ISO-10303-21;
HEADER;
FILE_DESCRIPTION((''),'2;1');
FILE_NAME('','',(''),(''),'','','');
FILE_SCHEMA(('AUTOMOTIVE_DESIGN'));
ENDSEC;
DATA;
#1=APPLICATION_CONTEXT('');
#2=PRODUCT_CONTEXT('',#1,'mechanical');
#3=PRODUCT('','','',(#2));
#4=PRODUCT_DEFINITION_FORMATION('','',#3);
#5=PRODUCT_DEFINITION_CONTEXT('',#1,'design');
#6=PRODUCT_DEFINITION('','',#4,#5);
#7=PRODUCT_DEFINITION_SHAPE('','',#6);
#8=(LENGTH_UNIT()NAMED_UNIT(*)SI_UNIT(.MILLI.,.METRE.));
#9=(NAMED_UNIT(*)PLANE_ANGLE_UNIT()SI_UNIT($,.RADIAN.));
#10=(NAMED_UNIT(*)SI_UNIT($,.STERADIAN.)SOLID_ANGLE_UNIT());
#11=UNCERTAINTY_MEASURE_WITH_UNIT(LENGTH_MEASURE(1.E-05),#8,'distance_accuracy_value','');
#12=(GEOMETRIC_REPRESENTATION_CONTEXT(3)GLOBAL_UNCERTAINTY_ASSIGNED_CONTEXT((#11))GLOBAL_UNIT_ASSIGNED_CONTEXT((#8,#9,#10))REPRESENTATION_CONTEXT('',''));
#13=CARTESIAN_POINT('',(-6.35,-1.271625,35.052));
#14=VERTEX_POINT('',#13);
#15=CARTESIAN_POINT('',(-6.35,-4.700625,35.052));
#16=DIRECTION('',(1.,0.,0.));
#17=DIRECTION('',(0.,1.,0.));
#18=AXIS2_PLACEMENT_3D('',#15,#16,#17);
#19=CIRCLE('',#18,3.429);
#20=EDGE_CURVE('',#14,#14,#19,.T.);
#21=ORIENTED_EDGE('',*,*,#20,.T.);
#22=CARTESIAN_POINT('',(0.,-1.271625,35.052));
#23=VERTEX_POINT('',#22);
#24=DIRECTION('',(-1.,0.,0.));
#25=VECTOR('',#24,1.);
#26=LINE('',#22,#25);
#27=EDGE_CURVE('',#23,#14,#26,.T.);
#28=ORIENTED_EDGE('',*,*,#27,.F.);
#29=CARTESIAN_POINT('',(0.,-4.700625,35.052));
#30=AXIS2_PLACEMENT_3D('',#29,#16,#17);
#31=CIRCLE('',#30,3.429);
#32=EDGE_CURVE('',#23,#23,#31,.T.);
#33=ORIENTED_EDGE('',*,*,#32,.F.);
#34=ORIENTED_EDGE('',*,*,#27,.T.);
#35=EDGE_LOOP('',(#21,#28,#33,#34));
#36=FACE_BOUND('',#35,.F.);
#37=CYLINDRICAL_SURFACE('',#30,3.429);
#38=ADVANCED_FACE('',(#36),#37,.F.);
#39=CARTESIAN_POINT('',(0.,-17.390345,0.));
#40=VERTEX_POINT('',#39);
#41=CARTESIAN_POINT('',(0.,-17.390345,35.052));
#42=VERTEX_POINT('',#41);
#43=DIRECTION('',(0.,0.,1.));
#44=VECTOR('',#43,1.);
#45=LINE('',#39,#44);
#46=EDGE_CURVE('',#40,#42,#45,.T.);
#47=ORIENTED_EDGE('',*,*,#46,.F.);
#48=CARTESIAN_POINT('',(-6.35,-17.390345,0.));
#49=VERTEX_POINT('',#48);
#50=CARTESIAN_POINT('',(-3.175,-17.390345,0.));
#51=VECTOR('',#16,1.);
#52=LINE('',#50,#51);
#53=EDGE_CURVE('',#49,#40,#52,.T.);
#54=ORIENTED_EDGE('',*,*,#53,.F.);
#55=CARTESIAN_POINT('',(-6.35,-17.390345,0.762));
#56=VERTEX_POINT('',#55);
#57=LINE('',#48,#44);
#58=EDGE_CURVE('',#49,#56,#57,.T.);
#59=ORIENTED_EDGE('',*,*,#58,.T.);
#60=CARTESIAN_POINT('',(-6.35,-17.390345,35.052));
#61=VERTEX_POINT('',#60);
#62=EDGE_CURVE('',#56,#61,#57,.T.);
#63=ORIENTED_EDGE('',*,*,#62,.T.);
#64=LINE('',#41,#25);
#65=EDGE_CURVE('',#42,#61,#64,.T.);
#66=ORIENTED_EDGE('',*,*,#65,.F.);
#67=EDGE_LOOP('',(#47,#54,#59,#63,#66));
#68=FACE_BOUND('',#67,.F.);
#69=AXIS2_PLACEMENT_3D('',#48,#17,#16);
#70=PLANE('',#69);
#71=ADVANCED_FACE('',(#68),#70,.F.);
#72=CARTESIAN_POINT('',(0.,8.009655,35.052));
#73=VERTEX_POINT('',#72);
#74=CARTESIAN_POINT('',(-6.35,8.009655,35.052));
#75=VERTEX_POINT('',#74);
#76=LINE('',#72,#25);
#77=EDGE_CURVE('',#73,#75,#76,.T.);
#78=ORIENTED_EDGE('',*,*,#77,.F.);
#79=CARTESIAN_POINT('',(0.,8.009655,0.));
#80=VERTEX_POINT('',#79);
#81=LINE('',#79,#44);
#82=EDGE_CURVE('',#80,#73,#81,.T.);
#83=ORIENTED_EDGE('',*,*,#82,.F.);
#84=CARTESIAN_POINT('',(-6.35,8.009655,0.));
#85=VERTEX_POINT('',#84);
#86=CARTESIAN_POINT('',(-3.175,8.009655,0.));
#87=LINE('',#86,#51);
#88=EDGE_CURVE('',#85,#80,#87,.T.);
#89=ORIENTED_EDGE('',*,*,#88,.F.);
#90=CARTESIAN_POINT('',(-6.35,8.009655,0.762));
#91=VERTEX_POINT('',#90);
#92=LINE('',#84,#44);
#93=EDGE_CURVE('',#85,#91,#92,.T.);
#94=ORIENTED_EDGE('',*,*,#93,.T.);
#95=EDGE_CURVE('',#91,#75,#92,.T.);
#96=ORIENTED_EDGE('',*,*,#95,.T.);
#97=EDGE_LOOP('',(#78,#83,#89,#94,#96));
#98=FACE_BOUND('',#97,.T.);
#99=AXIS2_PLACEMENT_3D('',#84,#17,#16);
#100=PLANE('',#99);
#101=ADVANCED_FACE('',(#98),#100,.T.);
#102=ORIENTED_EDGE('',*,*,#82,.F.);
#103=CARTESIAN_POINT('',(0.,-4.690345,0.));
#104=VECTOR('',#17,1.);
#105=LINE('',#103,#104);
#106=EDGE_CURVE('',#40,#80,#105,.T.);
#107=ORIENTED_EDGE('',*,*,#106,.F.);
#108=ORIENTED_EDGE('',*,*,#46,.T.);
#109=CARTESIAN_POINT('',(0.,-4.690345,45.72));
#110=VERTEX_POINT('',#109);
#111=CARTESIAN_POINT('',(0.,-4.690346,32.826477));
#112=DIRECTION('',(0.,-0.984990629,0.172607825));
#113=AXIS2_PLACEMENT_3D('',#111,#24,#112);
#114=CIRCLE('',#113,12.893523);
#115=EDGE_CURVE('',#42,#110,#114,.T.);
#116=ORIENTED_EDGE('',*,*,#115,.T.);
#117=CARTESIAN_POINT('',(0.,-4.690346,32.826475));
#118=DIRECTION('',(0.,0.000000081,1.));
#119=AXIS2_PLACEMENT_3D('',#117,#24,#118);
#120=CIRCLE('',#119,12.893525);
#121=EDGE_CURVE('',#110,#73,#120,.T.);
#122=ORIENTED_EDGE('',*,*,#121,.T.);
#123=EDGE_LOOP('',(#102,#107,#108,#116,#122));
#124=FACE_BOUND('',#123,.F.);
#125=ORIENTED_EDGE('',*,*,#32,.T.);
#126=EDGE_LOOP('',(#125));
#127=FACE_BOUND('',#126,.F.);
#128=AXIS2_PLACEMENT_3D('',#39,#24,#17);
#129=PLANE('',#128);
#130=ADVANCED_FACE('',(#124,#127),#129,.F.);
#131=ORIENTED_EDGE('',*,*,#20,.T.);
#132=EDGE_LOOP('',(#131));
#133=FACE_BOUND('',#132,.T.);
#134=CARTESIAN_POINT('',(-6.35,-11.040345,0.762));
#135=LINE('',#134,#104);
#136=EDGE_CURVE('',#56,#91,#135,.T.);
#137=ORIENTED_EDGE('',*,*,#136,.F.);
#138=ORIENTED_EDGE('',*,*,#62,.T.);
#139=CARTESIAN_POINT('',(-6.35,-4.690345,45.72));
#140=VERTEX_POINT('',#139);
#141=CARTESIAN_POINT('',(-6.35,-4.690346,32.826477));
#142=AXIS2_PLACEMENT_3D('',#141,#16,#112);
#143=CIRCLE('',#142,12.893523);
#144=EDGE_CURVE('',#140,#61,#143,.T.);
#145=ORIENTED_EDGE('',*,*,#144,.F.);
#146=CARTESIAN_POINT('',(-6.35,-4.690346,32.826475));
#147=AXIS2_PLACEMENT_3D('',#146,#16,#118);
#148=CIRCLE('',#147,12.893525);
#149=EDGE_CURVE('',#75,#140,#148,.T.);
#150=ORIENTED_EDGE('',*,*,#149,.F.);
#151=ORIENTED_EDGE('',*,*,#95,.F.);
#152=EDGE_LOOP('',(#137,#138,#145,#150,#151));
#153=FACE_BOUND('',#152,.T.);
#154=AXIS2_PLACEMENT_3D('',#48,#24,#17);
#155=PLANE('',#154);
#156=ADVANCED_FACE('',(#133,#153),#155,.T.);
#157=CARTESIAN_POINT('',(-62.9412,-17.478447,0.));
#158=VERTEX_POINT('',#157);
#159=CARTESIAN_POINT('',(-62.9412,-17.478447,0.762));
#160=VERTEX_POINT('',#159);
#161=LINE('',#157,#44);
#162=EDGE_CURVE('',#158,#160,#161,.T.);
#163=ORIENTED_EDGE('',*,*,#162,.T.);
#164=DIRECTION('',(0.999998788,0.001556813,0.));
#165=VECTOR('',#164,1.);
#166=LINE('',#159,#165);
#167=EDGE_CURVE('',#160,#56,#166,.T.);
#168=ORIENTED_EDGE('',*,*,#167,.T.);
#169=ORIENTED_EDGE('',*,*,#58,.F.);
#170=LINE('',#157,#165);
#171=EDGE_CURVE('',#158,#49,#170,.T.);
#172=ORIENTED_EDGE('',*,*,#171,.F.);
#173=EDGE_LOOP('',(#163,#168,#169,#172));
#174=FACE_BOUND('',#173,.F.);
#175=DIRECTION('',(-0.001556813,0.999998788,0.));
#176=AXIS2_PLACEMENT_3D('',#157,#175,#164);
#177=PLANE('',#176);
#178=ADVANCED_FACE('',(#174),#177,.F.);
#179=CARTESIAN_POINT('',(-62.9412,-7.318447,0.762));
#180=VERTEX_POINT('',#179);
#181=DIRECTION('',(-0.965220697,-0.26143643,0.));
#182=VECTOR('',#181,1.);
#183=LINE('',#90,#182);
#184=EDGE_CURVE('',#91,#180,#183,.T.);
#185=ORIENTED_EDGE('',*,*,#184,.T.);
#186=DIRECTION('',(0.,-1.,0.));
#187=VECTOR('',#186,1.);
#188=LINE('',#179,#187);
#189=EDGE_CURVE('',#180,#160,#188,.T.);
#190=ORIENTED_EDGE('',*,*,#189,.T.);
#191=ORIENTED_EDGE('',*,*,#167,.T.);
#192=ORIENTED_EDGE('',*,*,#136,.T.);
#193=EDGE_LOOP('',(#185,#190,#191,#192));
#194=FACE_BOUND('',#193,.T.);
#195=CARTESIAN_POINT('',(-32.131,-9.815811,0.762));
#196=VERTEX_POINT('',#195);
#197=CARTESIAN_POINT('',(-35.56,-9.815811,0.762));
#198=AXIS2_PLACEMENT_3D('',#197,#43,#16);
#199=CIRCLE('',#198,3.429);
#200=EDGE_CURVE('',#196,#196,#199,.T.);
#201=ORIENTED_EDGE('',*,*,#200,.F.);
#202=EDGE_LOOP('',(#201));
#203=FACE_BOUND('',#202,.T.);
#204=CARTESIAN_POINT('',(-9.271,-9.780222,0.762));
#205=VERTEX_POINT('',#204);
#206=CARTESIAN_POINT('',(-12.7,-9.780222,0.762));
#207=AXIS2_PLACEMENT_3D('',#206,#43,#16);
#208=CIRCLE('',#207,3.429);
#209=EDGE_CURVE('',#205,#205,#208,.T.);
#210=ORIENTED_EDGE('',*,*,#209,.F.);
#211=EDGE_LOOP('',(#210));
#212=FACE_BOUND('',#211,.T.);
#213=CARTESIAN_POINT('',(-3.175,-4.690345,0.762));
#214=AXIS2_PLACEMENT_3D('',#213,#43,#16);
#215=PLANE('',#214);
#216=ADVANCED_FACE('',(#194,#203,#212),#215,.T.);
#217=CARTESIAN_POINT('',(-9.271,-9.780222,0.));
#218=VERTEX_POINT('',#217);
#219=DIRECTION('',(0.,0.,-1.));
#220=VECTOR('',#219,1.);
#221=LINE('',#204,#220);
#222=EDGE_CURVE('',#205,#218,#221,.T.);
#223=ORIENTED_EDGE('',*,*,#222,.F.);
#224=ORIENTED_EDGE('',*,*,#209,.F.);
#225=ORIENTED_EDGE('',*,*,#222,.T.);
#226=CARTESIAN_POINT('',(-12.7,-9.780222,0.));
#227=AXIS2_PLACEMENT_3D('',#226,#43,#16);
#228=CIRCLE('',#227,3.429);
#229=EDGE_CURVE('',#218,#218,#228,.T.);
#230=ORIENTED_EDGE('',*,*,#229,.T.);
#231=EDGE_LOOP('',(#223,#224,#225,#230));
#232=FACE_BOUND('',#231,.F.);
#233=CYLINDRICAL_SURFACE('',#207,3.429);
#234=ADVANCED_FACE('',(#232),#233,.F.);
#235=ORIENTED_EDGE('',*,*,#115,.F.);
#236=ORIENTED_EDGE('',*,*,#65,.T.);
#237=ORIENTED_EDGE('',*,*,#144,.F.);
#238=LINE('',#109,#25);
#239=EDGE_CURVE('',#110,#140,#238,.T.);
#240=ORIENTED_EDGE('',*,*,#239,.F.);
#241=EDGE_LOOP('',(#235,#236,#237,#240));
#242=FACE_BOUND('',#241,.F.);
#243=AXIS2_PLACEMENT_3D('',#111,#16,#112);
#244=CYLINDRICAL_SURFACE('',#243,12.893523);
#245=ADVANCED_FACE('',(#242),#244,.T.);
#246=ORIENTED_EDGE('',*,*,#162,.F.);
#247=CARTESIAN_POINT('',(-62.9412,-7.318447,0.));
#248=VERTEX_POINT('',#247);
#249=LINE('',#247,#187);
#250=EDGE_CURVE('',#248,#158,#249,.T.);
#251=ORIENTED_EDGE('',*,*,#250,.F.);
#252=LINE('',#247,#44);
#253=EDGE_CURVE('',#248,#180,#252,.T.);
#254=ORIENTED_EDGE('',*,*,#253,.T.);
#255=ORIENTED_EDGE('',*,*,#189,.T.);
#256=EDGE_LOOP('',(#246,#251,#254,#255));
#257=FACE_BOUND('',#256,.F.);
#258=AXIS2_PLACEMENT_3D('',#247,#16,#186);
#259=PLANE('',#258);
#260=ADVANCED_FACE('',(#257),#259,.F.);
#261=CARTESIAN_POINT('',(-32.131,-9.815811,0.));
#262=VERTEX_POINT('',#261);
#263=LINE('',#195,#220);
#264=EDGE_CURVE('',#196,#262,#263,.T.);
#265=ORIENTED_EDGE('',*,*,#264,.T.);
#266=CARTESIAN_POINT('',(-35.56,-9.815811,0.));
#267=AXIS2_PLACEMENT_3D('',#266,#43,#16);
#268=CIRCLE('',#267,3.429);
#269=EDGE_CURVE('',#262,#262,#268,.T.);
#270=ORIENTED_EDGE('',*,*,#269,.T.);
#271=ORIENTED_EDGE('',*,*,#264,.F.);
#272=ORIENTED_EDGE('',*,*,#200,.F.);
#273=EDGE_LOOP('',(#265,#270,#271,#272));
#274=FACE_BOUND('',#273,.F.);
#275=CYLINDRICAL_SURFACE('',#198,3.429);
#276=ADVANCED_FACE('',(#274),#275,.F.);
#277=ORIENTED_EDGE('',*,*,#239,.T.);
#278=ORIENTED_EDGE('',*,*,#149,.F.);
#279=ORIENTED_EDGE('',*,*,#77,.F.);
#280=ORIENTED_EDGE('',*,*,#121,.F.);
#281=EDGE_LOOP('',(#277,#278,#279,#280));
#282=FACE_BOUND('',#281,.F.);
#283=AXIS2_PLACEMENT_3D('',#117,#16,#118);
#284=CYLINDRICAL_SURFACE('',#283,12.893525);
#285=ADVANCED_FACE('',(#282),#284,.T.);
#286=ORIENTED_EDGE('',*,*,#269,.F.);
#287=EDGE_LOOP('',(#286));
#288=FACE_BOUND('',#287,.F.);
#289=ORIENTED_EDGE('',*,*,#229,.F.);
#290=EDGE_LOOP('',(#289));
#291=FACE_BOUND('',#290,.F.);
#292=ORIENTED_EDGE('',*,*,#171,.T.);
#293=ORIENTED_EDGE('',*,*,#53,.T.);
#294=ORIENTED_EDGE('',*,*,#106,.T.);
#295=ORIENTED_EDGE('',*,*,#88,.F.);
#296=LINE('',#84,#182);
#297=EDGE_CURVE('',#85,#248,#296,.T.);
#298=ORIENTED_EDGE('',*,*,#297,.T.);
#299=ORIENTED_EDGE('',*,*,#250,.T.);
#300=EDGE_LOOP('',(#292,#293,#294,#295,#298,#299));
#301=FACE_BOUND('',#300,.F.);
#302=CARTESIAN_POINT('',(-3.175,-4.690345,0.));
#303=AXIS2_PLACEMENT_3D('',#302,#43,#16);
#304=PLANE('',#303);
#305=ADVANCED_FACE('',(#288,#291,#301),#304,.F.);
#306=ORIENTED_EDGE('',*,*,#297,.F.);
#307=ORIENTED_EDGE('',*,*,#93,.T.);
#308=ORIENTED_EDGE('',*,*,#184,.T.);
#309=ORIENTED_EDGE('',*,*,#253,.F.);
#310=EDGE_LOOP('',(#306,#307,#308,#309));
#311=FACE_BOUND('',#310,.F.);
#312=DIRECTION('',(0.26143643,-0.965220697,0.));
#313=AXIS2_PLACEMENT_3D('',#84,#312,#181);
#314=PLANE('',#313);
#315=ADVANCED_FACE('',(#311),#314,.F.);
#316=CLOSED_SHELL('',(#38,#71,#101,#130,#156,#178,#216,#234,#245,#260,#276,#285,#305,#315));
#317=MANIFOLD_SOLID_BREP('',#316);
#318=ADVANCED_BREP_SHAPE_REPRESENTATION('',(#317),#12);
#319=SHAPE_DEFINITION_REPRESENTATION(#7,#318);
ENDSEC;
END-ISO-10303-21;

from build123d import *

# Parameters (mm, degrees)
F0_W     = 6.35
F0_H     = 25.4
F1_DEPTH = 45.72
F2_DEPTH = 0.762
F4_DEPTH = 25.4
F3_R     = 3.429
F5_DEPTH = 25.4
F6_R     = 3.429
F7_DEPTH = 25.4


with BuildPart() as f1:
    # F0 (on Top) → F1 (new body)
    with BuildSketch(Plane.XY):
        with Locations((-3.175, -4.690345)):
            Rectangle(F0_W, F0_H)
    extrude(amount=F1_DEPTH)

    # F0 (on Top) → F2 (join)
    with BuildSketch(Plane.XY):
        with Locations((-3.175, -4.690345)):
            Rectangle(F0_W, F0_H)
        Polygon((-62.9412, -17.478447), (-6.35, -17.390345), (-6.35, 8.009655), (-62.9412, -7.318447), align=None)
    extrude(amount=F2_DEPTH)

    # F3 (on face) → F4 (cut)
    with BuildSketch(Plane.YZ):
        with BuildLine():
            ThreePointArc((-4.690345, 45.72), (3.602667, 42.69911), (8.009655, 35.052))
            Line((8.009655, 35.052), (8.009655, 45.72))
            Line((8.009655, 45.72), (-4.690345, 45.72))
        make_face()
        with BuildLine():
            ThreePointArc((-17.390345, 35.052), (-12.983358, 42.69911), (-4.690345, 45.72))
            Line((-4.690345, 45.72), (-17.390345, 45.72))
            Line((-17.390345, 45.72), (-17.390345, 35.052))
        make_face()
    extrude(amount=-F4_DEPTH, mode=Mode.SUBTRACT)

    # F3 (on face) → F5 (cut)
    with BuildSketch(Plane.YZ):
        with Locations((-4.700625, 35.052)):
            Circle(F3_R)
    extrude(amount=-F5_DEPTH, mode=Mode.SUBTRACT)

    # F6 (on face) → F7 (cut)
    with BuildSketch(Plane.XY.offset(0.762)):
        with Locations((-35.56, -9.815811)):
            Circle(F6_R)
        with Locations((-12.7, -9.780222)):
            Circle(F6_R)
    extrude(amount=-F7_DEPTH, mode=Mode.SUBTRACT)


solid = f1.part
